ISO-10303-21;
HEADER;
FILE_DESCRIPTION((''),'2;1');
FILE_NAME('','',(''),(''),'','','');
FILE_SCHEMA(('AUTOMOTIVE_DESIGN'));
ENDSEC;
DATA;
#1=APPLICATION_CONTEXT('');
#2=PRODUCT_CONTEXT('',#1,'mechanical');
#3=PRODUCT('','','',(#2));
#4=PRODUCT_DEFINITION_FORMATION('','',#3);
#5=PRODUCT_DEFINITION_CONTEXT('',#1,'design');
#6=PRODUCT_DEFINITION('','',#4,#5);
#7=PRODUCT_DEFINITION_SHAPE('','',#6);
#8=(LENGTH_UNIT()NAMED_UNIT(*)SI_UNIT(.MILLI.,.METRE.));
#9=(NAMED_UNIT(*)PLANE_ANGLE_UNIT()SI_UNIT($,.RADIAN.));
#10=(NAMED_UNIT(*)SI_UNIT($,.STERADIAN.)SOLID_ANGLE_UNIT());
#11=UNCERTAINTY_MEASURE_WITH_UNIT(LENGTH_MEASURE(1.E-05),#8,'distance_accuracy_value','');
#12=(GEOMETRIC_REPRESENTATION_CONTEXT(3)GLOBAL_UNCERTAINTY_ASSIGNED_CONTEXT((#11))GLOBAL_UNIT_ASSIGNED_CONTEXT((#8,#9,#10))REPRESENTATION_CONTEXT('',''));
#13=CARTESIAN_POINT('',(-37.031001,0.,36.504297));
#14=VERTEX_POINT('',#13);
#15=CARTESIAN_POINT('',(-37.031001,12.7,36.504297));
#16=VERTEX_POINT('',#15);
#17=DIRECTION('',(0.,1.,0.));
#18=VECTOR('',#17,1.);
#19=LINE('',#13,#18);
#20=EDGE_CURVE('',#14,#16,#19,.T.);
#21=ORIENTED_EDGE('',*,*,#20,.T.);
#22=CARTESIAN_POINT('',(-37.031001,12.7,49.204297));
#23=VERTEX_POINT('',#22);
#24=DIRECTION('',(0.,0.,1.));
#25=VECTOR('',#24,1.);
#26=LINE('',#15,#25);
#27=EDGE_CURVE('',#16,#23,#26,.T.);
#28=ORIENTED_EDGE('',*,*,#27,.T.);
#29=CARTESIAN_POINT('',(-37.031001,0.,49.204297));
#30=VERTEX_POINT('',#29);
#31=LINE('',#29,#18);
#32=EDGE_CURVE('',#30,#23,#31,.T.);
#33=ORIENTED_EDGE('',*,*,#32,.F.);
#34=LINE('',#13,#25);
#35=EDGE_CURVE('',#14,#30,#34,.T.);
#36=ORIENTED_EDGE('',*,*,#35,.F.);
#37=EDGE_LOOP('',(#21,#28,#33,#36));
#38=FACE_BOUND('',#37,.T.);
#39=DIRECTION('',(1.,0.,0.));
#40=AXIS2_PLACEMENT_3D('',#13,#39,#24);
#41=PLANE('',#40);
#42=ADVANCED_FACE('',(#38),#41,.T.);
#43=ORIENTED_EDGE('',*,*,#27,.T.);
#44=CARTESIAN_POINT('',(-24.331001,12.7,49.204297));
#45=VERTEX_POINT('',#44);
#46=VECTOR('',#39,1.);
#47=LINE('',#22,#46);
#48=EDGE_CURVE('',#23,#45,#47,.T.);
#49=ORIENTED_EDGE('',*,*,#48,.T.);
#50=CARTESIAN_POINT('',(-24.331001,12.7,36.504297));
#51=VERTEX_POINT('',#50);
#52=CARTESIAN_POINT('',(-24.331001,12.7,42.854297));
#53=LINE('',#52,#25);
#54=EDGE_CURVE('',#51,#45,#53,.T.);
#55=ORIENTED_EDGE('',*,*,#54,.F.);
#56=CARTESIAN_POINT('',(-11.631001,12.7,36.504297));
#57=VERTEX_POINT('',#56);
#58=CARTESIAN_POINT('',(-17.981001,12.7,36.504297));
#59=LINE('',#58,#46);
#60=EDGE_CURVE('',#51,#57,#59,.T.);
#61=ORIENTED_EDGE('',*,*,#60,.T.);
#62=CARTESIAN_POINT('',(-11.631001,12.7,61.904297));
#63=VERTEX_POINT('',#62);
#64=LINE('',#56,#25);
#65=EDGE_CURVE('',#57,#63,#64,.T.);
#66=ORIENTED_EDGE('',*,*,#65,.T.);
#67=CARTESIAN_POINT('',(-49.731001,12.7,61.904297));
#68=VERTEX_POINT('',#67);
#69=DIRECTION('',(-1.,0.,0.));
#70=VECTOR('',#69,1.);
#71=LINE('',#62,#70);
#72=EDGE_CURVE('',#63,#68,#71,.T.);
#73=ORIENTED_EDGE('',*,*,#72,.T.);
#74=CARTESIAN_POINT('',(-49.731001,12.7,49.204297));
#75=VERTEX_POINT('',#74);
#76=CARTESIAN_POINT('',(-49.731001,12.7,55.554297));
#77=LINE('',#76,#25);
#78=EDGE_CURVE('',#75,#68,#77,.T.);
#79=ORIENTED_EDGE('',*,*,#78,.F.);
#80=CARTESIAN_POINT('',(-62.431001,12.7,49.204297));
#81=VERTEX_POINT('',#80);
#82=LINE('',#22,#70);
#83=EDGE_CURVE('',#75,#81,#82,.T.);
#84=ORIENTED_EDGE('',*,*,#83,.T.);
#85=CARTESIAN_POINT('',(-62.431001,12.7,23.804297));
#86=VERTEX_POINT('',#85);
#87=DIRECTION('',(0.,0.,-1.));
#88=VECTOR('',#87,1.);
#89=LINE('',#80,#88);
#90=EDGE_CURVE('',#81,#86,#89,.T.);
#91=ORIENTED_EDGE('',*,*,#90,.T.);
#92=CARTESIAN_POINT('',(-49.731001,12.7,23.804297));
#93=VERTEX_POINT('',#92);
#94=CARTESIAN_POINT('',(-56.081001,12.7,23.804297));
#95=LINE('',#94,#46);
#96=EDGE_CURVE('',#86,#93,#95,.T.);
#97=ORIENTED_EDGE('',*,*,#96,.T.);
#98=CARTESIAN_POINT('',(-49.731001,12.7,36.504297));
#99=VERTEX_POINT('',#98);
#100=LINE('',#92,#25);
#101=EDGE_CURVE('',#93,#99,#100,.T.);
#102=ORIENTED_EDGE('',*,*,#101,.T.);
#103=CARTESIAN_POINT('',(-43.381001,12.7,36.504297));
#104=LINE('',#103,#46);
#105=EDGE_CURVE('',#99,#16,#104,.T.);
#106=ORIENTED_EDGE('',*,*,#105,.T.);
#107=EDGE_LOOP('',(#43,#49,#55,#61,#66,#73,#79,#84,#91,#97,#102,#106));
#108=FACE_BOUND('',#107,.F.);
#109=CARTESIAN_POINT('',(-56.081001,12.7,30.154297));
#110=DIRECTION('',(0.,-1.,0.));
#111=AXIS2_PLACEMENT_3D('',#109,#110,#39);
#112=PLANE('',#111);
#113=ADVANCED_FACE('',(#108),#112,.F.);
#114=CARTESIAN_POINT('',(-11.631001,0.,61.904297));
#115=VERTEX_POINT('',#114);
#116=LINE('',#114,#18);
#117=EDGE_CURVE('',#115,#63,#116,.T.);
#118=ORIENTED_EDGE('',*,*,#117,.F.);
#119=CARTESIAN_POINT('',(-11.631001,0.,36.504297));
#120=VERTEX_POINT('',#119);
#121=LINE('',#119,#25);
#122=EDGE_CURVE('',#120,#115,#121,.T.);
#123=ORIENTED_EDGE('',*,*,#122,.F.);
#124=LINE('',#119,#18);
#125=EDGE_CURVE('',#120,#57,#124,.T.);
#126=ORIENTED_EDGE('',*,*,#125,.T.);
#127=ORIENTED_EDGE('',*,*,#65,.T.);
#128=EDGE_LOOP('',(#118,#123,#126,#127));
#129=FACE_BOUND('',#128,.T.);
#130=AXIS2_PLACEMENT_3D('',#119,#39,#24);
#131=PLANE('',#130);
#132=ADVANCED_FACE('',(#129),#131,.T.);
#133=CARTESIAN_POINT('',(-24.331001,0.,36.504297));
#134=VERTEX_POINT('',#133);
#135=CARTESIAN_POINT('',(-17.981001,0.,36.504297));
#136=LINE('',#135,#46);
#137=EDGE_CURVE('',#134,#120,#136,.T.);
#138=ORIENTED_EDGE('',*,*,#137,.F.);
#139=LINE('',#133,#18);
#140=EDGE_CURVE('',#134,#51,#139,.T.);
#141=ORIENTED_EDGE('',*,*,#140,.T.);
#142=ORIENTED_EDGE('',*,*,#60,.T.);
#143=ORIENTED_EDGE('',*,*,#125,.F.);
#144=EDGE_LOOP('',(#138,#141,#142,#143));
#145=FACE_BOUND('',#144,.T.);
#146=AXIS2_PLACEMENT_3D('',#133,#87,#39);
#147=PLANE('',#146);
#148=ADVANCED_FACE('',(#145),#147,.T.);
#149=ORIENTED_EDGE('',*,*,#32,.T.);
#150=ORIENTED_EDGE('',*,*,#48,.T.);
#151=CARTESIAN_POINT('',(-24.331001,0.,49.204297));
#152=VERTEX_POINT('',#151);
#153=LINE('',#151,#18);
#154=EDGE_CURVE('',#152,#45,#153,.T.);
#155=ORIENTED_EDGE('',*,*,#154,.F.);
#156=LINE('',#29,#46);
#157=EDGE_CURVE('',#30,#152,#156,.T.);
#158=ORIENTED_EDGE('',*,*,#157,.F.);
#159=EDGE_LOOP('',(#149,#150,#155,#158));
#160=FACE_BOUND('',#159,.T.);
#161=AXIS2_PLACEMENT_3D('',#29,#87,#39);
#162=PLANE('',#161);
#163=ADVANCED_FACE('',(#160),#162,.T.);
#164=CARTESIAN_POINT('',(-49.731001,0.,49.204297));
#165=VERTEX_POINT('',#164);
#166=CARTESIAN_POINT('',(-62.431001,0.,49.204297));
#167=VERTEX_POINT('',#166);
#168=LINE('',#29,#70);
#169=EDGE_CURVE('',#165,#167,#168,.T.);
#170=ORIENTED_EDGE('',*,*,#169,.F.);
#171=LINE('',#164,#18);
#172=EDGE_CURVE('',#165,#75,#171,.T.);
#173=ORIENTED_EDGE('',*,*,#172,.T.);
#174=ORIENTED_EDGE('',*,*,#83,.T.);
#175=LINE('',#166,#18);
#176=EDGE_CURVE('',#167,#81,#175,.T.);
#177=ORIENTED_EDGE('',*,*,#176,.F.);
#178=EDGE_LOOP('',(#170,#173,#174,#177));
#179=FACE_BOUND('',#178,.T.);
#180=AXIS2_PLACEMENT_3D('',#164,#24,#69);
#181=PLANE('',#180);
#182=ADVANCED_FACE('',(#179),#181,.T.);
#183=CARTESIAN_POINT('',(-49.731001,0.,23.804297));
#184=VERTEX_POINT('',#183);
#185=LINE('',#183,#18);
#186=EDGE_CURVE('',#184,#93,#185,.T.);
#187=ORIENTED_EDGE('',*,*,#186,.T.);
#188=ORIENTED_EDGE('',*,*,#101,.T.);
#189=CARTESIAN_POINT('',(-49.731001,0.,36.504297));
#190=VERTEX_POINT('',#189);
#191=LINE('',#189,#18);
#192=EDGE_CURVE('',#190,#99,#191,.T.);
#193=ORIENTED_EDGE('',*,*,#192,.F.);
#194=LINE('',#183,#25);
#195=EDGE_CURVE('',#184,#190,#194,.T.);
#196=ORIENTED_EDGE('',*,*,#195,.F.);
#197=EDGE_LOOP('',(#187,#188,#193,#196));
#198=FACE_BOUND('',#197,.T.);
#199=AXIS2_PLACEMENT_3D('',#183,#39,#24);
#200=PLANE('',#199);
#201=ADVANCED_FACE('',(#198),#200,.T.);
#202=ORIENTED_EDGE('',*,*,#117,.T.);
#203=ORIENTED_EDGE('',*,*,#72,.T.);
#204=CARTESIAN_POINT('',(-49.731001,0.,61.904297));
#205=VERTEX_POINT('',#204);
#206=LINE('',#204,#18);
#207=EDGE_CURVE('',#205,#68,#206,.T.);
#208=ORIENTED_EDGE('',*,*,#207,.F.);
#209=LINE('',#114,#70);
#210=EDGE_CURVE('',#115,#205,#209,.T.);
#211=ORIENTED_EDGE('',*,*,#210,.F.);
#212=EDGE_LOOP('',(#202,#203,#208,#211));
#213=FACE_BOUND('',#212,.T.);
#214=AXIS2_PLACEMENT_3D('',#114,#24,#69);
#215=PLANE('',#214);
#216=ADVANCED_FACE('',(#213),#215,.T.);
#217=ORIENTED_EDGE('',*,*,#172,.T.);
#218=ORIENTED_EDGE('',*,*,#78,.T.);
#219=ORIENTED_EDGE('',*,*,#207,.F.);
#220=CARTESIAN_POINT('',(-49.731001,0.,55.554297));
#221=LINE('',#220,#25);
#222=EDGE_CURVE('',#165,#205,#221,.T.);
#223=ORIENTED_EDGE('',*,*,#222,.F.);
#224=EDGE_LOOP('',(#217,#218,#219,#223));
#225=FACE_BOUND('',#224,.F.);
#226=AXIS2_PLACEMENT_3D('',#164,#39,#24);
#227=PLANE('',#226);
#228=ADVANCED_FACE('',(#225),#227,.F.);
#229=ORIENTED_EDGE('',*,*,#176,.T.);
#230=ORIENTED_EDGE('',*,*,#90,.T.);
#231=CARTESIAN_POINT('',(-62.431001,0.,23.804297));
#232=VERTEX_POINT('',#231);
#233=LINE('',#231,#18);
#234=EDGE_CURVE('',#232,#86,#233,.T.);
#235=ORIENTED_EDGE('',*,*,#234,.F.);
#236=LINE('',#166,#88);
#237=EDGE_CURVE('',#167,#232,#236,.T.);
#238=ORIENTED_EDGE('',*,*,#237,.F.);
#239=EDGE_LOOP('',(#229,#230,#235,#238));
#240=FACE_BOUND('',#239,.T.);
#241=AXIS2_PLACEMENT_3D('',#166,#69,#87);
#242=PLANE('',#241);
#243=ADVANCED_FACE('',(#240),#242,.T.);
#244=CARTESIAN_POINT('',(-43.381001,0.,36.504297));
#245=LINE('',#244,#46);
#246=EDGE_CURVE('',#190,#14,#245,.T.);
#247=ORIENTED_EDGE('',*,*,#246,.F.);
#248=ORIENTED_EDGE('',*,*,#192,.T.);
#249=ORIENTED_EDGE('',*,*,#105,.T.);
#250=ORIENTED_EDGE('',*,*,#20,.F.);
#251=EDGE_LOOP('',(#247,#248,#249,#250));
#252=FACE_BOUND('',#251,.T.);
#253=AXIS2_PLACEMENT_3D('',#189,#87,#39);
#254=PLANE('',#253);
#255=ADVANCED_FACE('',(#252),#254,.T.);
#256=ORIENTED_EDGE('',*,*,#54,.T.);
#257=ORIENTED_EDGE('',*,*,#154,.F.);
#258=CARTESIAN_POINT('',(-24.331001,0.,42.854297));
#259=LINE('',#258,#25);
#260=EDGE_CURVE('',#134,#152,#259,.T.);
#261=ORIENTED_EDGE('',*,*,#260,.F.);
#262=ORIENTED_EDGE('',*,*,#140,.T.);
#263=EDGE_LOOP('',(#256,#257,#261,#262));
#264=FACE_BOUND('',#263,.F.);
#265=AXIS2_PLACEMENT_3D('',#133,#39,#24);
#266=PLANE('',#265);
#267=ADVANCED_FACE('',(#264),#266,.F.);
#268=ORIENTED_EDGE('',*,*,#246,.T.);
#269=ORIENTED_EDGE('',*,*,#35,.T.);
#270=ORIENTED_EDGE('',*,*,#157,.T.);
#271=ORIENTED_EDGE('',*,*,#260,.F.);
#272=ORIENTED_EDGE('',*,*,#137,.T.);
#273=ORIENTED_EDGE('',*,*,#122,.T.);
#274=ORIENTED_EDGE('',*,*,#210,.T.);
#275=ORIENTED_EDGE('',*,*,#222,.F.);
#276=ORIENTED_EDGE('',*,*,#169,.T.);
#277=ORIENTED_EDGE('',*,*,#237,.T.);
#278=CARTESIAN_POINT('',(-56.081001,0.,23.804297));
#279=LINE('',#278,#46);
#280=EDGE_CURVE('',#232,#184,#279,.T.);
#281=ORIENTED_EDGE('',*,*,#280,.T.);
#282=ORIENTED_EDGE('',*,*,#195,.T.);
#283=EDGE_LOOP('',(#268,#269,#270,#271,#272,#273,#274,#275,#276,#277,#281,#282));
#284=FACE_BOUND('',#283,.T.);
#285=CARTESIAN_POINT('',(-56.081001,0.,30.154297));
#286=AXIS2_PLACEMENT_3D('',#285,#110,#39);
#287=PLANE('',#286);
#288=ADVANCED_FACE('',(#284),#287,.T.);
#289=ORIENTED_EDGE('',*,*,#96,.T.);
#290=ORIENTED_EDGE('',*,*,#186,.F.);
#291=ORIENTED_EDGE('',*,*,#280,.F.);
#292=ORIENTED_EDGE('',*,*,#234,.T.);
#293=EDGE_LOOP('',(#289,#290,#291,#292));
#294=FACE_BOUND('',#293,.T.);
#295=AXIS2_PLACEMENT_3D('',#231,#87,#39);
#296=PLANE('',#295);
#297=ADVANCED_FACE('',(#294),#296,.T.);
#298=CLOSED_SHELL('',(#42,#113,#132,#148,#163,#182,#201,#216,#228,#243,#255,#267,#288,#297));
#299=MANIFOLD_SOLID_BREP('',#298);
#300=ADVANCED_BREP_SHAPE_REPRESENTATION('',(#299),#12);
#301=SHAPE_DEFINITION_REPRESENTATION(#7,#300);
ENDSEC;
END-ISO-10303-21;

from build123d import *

# Parameters (mm, degrees)
F0_W     = 12.7
F0_H     = 12.7
F1_DEPTH = 12.7


with BuildPart() as f1:
    # F0 (on Front) → F1 (new body)
    with BuildSketch(Plane.XZ):
        with Locations((-56.081001, 30.154297)):
            Rectangle(F0_W, F0_H)
        with Locations((-56.081001, 42.854297)):
            Rectangle(F0_W, F0_H)
        with Locations((-43.381001, 42.854297)):
            Rectangle(F0_W, F0_H)
        with Locations((-43.381001, 55.554297)):
            Rectangle(F0_W, F0_H)
        with Locations((-30.681001, 55.554297)):
            Rectangle(F0_W, F0_H)
        with Locations((-17.981001, 55.554297)):
            Rectangle(F0_W, F0_H)
        with Locations((-17.981001, 42.854297)):
            Rectangle(F0_W, F0_H)
    extrude(amount=-F1_DEPTH)


solid = f1.part
